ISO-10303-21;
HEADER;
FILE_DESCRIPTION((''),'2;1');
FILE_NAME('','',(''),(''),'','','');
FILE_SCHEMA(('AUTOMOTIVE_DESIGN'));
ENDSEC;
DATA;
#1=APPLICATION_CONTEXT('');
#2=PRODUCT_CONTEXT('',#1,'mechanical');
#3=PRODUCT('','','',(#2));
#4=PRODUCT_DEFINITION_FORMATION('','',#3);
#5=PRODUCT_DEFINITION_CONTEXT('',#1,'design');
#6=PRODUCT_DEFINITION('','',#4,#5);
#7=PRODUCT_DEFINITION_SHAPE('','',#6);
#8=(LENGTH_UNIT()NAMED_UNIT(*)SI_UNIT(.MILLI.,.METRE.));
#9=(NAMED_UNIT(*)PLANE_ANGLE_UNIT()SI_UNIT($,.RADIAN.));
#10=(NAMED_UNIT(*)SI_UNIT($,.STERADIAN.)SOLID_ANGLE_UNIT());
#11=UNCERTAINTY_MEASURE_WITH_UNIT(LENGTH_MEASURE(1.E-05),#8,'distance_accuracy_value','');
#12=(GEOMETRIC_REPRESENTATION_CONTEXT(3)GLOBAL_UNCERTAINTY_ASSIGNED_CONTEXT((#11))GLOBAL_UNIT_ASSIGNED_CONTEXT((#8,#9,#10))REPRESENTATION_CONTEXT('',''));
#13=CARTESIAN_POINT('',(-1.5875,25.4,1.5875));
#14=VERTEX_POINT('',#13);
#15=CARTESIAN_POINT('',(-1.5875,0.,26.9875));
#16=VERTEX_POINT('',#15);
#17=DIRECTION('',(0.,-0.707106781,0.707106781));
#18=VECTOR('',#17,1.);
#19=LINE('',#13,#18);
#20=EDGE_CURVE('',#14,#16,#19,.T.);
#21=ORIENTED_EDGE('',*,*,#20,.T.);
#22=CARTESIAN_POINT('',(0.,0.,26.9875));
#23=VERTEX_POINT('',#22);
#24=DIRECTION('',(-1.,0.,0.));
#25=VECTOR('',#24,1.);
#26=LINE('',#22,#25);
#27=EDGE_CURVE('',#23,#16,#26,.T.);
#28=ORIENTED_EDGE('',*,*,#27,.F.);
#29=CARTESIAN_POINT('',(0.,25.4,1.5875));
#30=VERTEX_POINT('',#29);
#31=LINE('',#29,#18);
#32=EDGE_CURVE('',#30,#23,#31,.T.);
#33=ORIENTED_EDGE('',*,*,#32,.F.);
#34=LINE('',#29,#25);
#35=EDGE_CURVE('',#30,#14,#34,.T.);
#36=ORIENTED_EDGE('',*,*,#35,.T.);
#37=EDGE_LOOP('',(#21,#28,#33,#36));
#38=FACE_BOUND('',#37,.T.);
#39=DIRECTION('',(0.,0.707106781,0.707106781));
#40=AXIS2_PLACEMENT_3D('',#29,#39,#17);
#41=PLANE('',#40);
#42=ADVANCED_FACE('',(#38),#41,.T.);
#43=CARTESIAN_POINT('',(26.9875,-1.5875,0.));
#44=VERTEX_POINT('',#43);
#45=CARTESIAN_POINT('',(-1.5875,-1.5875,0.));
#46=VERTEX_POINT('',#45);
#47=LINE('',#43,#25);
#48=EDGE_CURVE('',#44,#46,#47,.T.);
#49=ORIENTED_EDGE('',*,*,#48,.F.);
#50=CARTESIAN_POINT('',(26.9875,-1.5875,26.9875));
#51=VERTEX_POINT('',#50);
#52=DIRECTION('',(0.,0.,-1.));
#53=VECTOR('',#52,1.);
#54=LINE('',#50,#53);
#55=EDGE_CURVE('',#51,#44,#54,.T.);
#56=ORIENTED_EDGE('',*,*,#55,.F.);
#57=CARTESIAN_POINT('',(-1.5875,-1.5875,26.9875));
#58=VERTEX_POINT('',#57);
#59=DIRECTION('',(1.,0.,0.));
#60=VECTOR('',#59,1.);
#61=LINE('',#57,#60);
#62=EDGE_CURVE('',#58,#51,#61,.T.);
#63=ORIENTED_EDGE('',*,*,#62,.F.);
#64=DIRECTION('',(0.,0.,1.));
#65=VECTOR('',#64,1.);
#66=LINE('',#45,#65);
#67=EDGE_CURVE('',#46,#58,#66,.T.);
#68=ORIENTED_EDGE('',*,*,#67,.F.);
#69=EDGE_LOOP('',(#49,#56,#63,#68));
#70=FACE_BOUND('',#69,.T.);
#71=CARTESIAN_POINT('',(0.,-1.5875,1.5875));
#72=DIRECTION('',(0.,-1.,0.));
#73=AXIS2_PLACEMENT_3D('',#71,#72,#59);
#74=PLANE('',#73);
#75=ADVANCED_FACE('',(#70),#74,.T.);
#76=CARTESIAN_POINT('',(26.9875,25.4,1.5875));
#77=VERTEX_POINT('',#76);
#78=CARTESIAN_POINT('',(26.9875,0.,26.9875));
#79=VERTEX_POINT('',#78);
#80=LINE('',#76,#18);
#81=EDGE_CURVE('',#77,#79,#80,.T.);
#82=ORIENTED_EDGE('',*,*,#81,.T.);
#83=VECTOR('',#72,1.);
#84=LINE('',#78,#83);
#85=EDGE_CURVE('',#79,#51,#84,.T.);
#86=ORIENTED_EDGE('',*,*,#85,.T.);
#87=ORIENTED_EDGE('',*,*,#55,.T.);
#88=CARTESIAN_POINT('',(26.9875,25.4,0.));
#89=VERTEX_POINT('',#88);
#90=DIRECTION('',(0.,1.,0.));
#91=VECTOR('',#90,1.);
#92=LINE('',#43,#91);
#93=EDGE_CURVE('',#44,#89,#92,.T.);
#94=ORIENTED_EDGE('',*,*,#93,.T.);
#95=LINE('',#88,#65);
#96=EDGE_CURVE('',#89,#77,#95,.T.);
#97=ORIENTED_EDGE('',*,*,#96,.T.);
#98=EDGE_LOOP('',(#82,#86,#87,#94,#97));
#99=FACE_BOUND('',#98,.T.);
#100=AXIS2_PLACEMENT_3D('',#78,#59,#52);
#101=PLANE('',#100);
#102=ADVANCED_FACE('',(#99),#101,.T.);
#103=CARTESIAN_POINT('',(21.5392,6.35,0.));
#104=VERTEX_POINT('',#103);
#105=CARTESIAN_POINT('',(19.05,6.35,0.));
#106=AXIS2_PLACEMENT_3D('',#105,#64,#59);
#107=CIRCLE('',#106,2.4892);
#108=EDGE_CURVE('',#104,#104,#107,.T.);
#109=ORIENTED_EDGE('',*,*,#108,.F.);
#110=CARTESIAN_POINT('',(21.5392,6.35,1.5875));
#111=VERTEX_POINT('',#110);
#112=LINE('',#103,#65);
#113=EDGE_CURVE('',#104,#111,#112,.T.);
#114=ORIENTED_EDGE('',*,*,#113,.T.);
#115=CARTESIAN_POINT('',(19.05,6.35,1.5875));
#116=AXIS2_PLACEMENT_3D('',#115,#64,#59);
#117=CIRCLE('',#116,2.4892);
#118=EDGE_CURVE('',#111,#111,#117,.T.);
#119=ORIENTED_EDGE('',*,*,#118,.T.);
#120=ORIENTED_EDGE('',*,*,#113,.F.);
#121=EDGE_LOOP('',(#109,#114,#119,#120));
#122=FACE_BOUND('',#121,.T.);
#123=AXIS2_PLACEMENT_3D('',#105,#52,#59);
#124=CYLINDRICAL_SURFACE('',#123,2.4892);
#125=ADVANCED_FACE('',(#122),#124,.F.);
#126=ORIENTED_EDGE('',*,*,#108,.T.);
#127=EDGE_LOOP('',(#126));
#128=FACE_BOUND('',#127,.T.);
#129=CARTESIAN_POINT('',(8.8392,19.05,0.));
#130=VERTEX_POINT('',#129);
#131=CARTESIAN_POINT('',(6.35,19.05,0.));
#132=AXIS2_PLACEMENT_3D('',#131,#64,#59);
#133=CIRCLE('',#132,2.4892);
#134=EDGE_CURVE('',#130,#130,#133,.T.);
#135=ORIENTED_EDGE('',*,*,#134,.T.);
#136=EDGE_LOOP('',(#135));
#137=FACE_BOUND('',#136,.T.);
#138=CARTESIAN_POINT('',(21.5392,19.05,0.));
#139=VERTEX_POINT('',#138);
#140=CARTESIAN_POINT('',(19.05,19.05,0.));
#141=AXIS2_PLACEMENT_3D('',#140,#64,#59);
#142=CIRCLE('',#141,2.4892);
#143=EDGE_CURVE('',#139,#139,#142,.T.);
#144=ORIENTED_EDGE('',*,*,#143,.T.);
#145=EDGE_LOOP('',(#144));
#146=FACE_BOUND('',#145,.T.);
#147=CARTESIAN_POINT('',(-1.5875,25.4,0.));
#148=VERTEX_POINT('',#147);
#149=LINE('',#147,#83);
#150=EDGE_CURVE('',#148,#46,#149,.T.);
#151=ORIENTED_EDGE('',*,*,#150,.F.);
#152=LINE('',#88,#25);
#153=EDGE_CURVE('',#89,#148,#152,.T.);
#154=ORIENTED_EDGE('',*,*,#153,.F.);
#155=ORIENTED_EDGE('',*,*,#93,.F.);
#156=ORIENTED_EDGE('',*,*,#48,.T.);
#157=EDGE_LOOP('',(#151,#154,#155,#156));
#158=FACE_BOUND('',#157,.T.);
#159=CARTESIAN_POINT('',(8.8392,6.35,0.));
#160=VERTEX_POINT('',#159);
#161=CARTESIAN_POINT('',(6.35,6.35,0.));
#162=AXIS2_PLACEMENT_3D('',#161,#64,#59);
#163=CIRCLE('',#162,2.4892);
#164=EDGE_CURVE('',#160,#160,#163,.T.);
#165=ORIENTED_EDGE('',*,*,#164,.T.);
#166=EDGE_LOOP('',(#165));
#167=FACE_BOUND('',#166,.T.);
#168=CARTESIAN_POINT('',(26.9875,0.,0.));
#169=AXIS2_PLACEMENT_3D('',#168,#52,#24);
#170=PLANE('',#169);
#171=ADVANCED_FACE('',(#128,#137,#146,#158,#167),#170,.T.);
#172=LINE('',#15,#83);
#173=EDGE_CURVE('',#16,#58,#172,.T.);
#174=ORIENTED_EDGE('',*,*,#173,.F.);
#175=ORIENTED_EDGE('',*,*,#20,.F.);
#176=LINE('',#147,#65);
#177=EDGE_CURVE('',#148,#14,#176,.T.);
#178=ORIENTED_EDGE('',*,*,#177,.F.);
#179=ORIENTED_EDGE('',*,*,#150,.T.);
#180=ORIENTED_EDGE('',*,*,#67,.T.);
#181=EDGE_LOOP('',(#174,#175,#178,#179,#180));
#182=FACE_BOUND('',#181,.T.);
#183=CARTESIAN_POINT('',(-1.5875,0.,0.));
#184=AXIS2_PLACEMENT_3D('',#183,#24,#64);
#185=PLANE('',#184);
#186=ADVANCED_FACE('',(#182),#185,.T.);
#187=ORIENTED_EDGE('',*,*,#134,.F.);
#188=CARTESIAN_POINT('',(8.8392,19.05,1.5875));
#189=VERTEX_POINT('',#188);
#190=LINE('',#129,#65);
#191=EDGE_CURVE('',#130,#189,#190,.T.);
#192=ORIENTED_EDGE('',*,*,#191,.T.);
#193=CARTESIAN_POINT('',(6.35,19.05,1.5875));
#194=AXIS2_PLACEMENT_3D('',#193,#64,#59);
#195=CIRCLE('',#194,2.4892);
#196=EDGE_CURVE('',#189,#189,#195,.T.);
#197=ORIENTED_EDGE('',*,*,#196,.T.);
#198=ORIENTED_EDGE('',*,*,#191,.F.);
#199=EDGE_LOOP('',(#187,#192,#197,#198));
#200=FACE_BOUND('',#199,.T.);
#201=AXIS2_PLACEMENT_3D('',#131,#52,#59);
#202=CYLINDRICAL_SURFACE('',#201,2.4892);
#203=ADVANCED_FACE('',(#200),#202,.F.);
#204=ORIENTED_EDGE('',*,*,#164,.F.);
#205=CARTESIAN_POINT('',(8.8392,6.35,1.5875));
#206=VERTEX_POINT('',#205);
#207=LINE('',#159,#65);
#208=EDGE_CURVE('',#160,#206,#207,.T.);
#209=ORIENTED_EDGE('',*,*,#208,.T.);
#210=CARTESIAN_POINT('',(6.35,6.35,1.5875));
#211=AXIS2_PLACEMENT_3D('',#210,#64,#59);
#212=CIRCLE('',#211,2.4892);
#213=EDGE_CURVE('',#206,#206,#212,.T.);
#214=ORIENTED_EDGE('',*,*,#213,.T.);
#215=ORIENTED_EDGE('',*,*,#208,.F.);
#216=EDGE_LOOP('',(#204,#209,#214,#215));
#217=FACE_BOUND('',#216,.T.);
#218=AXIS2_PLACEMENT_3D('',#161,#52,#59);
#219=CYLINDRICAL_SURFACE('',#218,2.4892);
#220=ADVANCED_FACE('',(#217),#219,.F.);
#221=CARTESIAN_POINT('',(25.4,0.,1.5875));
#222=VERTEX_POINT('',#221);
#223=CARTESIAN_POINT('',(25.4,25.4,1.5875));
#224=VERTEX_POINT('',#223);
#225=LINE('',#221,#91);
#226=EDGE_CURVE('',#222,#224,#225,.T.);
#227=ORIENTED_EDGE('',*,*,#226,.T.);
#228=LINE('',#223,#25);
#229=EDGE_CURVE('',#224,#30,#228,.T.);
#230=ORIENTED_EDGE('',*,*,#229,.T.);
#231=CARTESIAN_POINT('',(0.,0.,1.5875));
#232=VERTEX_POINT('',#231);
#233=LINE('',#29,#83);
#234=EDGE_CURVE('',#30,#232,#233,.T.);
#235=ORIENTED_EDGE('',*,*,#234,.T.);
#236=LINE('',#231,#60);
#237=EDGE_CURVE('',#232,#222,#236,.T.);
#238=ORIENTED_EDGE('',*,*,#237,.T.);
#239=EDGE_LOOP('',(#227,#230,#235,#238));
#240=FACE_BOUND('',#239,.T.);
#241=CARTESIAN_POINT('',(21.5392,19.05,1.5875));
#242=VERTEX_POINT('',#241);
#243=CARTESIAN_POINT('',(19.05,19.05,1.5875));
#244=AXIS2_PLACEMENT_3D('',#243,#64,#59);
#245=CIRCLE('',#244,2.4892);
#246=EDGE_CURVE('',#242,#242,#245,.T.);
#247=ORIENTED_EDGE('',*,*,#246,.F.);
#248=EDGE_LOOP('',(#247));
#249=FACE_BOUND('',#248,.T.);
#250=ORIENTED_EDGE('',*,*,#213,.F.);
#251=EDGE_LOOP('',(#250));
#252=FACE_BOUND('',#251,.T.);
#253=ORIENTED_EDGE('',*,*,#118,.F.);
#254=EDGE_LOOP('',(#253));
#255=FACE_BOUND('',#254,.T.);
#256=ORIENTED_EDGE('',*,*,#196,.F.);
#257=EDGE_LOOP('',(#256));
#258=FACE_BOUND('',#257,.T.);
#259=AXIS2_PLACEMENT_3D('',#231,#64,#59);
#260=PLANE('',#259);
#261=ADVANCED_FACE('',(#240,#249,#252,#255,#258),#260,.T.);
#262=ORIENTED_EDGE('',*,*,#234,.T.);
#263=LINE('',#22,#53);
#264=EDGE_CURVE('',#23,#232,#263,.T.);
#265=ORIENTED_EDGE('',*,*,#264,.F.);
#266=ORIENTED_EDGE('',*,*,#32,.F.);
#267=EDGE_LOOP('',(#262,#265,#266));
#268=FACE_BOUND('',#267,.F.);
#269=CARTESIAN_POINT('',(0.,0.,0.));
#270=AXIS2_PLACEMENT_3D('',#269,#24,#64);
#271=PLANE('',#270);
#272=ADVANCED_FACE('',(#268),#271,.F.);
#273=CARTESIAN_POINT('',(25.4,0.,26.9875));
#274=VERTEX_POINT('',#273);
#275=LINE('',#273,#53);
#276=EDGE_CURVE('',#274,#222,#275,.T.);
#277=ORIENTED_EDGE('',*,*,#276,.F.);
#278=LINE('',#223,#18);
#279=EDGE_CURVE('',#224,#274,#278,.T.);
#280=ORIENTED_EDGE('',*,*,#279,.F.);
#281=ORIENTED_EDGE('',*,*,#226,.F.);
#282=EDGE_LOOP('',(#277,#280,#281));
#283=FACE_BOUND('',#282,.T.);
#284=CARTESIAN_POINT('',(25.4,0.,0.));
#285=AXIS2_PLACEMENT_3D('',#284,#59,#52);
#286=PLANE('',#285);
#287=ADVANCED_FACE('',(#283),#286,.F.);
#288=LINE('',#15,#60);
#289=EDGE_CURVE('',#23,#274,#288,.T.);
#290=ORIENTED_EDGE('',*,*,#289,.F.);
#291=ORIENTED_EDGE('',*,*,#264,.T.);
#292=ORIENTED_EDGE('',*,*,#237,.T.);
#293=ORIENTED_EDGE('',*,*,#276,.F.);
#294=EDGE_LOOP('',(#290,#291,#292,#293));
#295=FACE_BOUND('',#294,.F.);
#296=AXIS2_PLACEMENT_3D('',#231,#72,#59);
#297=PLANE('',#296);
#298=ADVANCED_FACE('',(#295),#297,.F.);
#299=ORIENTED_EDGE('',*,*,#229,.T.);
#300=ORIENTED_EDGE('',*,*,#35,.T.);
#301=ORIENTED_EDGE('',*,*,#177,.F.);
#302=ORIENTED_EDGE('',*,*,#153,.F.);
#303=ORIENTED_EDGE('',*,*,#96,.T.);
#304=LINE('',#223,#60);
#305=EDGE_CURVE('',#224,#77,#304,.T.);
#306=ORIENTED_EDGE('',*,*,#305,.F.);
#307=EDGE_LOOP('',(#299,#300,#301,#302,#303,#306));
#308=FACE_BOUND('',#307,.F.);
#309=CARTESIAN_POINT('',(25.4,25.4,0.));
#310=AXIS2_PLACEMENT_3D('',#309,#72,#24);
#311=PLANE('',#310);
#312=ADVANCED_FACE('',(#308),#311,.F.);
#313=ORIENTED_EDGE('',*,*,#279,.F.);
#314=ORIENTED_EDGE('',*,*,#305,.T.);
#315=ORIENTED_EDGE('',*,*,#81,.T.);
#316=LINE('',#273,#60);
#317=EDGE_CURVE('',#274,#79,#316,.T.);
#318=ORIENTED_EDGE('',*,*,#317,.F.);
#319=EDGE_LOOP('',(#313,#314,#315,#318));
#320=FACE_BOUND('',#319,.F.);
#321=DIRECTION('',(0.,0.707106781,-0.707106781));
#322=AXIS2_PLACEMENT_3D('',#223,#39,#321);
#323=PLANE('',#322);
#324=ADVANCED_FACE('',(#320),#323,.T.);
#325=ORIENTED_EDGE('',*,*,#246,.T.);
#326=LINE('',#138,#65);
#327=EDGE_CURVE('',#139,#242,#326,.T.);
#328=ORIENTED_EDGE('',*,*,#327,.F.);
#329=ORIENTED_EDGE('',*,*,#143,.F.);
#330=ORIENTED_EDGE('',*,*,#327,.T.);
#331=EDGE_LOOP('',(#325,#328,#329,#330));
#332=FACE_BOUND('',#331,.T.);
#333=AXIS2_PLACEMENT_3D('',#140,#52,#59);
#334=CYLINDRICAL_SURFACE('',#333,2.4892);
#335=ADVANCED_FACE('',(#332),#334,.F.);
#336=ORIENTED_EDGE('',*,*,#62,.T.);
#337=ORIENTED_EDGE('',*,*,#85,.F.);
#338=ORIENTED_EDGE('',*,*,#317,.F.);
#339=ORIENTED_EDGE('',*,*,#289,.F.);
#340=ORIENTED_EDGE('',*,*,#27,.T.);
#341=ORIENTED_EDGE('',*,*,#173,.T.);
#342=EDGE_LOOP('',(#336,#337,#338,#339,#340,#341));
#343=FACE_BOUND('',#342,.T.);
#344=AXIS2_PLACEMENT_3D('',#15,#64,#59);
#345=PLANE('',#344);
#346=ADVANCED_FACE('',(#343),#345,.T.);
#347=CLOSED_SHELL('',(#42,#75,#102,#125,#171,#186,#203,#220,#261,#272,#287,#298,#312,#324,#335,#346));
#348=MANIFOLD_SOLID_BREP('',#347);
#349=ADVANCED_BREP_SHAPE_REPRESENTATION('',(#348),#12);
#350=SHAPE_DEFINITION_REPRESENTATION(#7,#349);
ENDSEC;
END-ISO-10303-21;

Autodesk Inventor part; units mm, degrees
ref_plane "YZ Plane" through (0, 0, 0) normal (1, 0, 0) x (0, 1, 0)
ref_plane "XZ Plane" through (0, 0, 0) normal (0, 1, 0) x (-1, 0, 0)
ref_plane "XY Plane" through (0, 0, 0) normal (0, 0, 1) x (1, 0, 0)
sketch "Sketch1" plane through (0, 0, 0) normal (0, 0, 1) x (1, 0, 0)
  line L0 (0, 0) -> (25.4, 0)
  line L1 (25.4, 0) -> (25.4, 25.4)
  line L2 (25.4, 25.4) -> (0, 25.4)
  line L3 (0, 25.4) -> (0, 0)
  circle A0 centre (6.35, 19.05) radius 2.4892
  line L4 (12.7, 25.4) -> (12.7, 0) construction
  line L5 (0, 12.7) -> (25.4, 12.7) construction
  circle A1 centre (19.05, 19.05) radius 2.4892
  circle A2 centre (6.35, 6.35) radius 2.4892
  circle A3 centre (19.05, 6.35) radius 2.4892
  dimension "d0" = 25.4
  dimension "d1" = 25.4
  dimension "d2" = 4.9784
  dimension "d3" = 6.35
  dimension "d4" = 6.35
extrude "Extrusion1" add sketch "Sketch1" along normal blind 1.5875
sketch "Sketch2" plane through (0, 0, 0) normal (-1, 0, 0) x (0, 0, 1)
  line L0 (0, 25.4) -> (0, 0) projected
  line L1 (0, 0) -> (1.5875, 0) projected
  line L2 (0, 25.4) -> (1.5875, 25.4) projected
  line L3 (1.5875, 25.4) -> (26.9875, 0)
  line L4 (1.5875, 25.4) -> (37.5085, 25.4) construction
  line L5 (26.9875, 0) -> (1.5875, 0)
  line L6 (1.5875, 25.4) -> (1.5875, 0)
  dimension "d7" = 45
extrude "Extrusion2" add sketch "Sketch2" along normal blind 1.5875
ref_plane "Work Plane1" through (12.7, 0, 0) normal (1, 0, 0) x (0, 0, -1)
mirror "Mirror1" about plane through (12.7, 0, 0) normal (1, 0, 0) of "Extrusion2"
sketch "Sketch3" plane through (0, 0, 1.5875) normal (0, -1, 0) x (1, 0, 0)
  line L0 (-1.5875, 25.4) -> (26.9875, 25.4)
  line L1 (26.9875, 25.4) -> (26.9875, -1.5875)
  line L2 (26.9875, -1.5875) -> (-1.5875, -1.5875)
  line L3 (-1.5875, -1.5875) -> (-1.5875, 25.4)
  point P0 (0, -1.5875)
extrude "Extrusion3" add sketch "Sketch3" along normal blind 1.5875
equation "\"d4\" = d3"
properties part number "Milled Flange Support" material "Aluminum 6061"
